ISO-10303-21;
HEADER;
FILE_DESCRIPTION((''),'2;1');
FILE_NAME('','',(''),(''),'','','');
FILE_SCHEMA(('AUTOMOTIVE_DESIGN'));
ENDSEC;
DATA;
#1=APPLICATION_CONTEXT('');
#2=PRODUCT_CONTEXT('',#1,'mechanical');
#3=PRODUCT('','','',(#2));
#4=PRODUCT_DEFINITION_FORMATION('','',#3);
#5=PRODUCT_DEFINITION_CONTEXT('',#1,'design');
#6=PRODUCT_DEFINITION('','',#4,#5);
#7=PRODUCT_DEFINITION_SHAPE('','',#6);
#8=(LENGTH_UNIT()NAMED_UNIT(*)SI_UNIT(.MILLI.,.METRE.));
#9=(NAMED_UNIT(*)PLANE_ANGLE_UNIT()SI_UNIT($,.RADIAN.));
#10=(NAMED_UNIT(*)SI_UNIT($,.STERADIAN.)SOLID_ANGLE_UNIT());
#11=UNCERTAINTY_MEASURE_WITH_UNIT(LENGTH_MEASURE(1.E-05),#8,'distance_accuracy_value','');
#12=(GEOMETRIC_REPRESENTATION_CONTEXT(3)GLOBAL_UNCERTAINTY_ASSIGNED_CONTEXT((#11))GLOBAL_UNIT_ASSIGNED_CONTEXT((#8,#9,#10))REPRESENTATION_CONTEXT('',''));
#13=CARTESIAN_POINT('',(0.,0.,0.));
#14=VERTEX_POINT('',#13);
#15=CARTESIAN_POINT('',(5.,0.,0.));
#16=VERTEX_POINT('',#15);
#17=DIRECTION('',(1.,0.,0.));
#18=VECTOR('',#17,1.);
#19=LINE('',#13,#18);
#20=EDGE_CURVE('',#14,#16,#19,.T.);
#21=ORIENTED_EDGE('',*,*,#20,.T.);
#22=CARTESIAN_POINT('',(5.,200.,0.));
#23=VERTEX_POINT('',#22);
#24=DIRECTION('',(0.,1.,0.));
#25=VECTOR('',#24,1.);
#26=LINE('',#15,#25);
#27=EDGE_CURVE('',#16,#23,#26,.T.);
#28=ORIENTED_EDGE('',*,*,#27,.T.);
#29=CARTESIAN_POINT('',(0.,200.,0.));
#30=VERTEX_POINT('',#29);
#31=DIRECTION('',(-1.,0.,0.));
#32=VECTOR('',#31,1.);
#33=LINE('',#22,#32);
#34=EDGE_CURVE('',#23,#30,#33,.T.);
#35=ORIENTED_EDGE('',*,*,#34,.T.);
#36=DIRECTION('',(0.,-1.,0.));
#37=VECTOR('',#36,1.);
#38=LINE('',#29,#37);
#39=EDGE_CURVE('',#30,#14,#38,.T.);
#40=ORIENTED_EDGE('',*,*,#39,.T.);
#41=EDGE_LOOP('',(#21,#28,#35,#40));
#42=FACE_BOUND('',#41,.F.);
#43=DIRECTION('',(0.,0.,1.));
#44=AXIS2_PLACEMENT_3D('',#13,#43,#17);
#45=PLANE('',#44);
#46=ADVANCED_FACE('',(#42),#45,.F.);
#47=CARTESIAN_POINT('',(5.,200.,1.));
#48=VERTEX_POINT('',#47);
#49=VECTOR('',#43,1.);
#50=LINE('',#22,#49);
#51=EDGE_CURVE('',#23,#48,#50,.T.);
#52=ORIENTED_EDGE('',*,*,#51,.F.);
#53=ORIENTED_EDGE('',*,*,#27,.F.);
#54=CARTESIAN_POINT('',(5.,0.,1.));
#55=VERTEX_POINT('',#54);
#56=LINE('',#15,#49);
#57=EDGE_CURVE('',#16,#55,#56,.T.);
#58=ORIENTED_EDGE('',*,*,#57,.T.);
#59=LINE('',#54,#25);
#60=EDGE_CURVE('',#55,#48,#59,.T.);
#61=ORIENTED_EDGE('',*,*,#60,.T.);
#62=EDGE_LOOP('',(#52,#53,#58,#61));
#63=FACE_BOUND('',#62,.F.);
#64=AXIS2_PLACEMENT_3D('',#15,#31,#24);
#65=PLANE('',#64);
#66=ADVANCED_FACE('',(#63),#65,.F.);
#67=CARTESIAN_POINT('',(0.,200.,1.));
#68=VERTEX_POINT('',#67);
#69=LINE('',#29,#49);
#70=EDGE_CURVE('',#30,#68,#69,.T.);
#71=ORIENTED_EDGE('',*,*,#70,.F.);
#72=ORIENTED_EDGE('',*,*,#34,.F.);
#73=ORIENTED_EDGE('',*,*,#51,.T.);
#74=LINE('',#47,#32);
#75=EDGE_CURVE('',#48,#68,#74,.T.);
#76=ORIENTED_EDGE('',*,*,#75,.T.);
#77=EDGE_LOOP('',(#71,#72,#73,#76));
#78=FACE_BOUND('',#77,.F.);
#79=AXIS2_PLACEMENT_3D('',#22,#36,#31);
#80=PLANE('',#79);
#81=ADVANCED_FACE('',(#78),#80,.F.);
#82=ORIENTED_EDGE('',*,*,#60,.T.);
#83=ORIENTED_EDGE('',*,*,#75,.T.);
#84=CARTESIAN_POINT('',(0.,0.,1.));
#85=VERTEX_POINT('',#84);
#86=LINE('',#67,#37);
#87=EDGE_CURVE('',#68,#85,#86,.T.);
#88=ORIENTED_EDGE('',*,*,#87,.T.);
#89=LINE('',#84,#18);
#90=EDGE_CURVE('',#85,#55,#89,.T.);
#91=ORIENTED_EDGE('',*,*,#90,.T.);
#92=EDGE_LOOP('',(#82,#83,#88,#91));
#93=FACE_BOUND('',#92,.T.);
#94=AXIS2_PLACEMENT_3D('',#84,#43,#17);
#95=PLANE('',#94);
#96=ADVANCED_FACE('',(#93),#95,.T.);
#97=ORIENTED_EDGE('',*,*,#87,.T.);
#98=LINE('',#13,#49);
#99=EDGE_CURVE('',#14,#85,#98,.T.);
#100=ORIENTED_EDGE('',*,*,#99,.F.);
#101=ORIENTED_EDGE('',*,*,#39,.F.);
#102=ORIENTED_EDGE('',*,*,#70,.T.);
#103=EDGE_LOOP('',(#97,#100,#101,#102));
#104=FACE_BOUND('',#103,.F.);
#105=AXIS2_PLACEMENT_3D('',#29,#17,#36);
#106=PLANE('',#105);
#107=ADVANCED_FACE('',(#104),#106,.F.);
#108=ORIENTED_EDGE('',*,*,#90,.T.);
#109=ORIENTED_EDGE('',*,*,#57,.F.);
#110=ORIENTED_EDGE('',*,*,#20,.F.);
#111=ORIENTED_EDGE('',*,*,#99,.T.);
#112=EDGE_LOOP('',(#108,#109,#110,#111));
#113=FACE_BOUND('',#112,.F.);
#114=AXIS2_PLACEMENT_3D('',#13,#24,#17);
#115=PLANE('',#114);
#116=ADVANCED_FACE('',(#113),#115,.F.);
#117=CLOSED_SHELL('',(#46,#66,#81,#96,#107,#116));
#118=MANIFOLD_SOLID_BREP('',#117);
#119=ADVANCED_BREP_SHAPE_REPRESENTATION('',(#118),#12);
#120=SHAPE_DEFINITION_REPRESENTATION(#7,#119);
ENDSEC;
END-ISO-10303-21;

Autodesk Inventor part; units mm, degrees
ref_plane "YZ Plane" through (0, 0, 0) normal (1, 0, 0) x (0, 1, 0)
ref_plane "XZ Plane" through (0, 0, 0) normal (0, 1, 0) x (-1, 0, 0)
ref_plane "XY Plane" through (0, 0, 0) normal (0, 0, 1) x (1, 0, 0)
sketch "Sketch1" plane through (0, 0, 0) normal (0, 0, 1) x (1, 0, 0)
  line L0 (0, 0) -> (5, 0)
  line L1 (5, 0) -> (5, 200)
  line L2 (5, 200) -> (0, 200)
  line L3 (0, 200) -> (0, 0)
  dimension "d0" = 5
  dimension "d1" = 200
extrude "Extrusion1" add sketch "Sketch1" along normal blind 1
properties part number "Foam Tape" material "Polyurethane Foam"
